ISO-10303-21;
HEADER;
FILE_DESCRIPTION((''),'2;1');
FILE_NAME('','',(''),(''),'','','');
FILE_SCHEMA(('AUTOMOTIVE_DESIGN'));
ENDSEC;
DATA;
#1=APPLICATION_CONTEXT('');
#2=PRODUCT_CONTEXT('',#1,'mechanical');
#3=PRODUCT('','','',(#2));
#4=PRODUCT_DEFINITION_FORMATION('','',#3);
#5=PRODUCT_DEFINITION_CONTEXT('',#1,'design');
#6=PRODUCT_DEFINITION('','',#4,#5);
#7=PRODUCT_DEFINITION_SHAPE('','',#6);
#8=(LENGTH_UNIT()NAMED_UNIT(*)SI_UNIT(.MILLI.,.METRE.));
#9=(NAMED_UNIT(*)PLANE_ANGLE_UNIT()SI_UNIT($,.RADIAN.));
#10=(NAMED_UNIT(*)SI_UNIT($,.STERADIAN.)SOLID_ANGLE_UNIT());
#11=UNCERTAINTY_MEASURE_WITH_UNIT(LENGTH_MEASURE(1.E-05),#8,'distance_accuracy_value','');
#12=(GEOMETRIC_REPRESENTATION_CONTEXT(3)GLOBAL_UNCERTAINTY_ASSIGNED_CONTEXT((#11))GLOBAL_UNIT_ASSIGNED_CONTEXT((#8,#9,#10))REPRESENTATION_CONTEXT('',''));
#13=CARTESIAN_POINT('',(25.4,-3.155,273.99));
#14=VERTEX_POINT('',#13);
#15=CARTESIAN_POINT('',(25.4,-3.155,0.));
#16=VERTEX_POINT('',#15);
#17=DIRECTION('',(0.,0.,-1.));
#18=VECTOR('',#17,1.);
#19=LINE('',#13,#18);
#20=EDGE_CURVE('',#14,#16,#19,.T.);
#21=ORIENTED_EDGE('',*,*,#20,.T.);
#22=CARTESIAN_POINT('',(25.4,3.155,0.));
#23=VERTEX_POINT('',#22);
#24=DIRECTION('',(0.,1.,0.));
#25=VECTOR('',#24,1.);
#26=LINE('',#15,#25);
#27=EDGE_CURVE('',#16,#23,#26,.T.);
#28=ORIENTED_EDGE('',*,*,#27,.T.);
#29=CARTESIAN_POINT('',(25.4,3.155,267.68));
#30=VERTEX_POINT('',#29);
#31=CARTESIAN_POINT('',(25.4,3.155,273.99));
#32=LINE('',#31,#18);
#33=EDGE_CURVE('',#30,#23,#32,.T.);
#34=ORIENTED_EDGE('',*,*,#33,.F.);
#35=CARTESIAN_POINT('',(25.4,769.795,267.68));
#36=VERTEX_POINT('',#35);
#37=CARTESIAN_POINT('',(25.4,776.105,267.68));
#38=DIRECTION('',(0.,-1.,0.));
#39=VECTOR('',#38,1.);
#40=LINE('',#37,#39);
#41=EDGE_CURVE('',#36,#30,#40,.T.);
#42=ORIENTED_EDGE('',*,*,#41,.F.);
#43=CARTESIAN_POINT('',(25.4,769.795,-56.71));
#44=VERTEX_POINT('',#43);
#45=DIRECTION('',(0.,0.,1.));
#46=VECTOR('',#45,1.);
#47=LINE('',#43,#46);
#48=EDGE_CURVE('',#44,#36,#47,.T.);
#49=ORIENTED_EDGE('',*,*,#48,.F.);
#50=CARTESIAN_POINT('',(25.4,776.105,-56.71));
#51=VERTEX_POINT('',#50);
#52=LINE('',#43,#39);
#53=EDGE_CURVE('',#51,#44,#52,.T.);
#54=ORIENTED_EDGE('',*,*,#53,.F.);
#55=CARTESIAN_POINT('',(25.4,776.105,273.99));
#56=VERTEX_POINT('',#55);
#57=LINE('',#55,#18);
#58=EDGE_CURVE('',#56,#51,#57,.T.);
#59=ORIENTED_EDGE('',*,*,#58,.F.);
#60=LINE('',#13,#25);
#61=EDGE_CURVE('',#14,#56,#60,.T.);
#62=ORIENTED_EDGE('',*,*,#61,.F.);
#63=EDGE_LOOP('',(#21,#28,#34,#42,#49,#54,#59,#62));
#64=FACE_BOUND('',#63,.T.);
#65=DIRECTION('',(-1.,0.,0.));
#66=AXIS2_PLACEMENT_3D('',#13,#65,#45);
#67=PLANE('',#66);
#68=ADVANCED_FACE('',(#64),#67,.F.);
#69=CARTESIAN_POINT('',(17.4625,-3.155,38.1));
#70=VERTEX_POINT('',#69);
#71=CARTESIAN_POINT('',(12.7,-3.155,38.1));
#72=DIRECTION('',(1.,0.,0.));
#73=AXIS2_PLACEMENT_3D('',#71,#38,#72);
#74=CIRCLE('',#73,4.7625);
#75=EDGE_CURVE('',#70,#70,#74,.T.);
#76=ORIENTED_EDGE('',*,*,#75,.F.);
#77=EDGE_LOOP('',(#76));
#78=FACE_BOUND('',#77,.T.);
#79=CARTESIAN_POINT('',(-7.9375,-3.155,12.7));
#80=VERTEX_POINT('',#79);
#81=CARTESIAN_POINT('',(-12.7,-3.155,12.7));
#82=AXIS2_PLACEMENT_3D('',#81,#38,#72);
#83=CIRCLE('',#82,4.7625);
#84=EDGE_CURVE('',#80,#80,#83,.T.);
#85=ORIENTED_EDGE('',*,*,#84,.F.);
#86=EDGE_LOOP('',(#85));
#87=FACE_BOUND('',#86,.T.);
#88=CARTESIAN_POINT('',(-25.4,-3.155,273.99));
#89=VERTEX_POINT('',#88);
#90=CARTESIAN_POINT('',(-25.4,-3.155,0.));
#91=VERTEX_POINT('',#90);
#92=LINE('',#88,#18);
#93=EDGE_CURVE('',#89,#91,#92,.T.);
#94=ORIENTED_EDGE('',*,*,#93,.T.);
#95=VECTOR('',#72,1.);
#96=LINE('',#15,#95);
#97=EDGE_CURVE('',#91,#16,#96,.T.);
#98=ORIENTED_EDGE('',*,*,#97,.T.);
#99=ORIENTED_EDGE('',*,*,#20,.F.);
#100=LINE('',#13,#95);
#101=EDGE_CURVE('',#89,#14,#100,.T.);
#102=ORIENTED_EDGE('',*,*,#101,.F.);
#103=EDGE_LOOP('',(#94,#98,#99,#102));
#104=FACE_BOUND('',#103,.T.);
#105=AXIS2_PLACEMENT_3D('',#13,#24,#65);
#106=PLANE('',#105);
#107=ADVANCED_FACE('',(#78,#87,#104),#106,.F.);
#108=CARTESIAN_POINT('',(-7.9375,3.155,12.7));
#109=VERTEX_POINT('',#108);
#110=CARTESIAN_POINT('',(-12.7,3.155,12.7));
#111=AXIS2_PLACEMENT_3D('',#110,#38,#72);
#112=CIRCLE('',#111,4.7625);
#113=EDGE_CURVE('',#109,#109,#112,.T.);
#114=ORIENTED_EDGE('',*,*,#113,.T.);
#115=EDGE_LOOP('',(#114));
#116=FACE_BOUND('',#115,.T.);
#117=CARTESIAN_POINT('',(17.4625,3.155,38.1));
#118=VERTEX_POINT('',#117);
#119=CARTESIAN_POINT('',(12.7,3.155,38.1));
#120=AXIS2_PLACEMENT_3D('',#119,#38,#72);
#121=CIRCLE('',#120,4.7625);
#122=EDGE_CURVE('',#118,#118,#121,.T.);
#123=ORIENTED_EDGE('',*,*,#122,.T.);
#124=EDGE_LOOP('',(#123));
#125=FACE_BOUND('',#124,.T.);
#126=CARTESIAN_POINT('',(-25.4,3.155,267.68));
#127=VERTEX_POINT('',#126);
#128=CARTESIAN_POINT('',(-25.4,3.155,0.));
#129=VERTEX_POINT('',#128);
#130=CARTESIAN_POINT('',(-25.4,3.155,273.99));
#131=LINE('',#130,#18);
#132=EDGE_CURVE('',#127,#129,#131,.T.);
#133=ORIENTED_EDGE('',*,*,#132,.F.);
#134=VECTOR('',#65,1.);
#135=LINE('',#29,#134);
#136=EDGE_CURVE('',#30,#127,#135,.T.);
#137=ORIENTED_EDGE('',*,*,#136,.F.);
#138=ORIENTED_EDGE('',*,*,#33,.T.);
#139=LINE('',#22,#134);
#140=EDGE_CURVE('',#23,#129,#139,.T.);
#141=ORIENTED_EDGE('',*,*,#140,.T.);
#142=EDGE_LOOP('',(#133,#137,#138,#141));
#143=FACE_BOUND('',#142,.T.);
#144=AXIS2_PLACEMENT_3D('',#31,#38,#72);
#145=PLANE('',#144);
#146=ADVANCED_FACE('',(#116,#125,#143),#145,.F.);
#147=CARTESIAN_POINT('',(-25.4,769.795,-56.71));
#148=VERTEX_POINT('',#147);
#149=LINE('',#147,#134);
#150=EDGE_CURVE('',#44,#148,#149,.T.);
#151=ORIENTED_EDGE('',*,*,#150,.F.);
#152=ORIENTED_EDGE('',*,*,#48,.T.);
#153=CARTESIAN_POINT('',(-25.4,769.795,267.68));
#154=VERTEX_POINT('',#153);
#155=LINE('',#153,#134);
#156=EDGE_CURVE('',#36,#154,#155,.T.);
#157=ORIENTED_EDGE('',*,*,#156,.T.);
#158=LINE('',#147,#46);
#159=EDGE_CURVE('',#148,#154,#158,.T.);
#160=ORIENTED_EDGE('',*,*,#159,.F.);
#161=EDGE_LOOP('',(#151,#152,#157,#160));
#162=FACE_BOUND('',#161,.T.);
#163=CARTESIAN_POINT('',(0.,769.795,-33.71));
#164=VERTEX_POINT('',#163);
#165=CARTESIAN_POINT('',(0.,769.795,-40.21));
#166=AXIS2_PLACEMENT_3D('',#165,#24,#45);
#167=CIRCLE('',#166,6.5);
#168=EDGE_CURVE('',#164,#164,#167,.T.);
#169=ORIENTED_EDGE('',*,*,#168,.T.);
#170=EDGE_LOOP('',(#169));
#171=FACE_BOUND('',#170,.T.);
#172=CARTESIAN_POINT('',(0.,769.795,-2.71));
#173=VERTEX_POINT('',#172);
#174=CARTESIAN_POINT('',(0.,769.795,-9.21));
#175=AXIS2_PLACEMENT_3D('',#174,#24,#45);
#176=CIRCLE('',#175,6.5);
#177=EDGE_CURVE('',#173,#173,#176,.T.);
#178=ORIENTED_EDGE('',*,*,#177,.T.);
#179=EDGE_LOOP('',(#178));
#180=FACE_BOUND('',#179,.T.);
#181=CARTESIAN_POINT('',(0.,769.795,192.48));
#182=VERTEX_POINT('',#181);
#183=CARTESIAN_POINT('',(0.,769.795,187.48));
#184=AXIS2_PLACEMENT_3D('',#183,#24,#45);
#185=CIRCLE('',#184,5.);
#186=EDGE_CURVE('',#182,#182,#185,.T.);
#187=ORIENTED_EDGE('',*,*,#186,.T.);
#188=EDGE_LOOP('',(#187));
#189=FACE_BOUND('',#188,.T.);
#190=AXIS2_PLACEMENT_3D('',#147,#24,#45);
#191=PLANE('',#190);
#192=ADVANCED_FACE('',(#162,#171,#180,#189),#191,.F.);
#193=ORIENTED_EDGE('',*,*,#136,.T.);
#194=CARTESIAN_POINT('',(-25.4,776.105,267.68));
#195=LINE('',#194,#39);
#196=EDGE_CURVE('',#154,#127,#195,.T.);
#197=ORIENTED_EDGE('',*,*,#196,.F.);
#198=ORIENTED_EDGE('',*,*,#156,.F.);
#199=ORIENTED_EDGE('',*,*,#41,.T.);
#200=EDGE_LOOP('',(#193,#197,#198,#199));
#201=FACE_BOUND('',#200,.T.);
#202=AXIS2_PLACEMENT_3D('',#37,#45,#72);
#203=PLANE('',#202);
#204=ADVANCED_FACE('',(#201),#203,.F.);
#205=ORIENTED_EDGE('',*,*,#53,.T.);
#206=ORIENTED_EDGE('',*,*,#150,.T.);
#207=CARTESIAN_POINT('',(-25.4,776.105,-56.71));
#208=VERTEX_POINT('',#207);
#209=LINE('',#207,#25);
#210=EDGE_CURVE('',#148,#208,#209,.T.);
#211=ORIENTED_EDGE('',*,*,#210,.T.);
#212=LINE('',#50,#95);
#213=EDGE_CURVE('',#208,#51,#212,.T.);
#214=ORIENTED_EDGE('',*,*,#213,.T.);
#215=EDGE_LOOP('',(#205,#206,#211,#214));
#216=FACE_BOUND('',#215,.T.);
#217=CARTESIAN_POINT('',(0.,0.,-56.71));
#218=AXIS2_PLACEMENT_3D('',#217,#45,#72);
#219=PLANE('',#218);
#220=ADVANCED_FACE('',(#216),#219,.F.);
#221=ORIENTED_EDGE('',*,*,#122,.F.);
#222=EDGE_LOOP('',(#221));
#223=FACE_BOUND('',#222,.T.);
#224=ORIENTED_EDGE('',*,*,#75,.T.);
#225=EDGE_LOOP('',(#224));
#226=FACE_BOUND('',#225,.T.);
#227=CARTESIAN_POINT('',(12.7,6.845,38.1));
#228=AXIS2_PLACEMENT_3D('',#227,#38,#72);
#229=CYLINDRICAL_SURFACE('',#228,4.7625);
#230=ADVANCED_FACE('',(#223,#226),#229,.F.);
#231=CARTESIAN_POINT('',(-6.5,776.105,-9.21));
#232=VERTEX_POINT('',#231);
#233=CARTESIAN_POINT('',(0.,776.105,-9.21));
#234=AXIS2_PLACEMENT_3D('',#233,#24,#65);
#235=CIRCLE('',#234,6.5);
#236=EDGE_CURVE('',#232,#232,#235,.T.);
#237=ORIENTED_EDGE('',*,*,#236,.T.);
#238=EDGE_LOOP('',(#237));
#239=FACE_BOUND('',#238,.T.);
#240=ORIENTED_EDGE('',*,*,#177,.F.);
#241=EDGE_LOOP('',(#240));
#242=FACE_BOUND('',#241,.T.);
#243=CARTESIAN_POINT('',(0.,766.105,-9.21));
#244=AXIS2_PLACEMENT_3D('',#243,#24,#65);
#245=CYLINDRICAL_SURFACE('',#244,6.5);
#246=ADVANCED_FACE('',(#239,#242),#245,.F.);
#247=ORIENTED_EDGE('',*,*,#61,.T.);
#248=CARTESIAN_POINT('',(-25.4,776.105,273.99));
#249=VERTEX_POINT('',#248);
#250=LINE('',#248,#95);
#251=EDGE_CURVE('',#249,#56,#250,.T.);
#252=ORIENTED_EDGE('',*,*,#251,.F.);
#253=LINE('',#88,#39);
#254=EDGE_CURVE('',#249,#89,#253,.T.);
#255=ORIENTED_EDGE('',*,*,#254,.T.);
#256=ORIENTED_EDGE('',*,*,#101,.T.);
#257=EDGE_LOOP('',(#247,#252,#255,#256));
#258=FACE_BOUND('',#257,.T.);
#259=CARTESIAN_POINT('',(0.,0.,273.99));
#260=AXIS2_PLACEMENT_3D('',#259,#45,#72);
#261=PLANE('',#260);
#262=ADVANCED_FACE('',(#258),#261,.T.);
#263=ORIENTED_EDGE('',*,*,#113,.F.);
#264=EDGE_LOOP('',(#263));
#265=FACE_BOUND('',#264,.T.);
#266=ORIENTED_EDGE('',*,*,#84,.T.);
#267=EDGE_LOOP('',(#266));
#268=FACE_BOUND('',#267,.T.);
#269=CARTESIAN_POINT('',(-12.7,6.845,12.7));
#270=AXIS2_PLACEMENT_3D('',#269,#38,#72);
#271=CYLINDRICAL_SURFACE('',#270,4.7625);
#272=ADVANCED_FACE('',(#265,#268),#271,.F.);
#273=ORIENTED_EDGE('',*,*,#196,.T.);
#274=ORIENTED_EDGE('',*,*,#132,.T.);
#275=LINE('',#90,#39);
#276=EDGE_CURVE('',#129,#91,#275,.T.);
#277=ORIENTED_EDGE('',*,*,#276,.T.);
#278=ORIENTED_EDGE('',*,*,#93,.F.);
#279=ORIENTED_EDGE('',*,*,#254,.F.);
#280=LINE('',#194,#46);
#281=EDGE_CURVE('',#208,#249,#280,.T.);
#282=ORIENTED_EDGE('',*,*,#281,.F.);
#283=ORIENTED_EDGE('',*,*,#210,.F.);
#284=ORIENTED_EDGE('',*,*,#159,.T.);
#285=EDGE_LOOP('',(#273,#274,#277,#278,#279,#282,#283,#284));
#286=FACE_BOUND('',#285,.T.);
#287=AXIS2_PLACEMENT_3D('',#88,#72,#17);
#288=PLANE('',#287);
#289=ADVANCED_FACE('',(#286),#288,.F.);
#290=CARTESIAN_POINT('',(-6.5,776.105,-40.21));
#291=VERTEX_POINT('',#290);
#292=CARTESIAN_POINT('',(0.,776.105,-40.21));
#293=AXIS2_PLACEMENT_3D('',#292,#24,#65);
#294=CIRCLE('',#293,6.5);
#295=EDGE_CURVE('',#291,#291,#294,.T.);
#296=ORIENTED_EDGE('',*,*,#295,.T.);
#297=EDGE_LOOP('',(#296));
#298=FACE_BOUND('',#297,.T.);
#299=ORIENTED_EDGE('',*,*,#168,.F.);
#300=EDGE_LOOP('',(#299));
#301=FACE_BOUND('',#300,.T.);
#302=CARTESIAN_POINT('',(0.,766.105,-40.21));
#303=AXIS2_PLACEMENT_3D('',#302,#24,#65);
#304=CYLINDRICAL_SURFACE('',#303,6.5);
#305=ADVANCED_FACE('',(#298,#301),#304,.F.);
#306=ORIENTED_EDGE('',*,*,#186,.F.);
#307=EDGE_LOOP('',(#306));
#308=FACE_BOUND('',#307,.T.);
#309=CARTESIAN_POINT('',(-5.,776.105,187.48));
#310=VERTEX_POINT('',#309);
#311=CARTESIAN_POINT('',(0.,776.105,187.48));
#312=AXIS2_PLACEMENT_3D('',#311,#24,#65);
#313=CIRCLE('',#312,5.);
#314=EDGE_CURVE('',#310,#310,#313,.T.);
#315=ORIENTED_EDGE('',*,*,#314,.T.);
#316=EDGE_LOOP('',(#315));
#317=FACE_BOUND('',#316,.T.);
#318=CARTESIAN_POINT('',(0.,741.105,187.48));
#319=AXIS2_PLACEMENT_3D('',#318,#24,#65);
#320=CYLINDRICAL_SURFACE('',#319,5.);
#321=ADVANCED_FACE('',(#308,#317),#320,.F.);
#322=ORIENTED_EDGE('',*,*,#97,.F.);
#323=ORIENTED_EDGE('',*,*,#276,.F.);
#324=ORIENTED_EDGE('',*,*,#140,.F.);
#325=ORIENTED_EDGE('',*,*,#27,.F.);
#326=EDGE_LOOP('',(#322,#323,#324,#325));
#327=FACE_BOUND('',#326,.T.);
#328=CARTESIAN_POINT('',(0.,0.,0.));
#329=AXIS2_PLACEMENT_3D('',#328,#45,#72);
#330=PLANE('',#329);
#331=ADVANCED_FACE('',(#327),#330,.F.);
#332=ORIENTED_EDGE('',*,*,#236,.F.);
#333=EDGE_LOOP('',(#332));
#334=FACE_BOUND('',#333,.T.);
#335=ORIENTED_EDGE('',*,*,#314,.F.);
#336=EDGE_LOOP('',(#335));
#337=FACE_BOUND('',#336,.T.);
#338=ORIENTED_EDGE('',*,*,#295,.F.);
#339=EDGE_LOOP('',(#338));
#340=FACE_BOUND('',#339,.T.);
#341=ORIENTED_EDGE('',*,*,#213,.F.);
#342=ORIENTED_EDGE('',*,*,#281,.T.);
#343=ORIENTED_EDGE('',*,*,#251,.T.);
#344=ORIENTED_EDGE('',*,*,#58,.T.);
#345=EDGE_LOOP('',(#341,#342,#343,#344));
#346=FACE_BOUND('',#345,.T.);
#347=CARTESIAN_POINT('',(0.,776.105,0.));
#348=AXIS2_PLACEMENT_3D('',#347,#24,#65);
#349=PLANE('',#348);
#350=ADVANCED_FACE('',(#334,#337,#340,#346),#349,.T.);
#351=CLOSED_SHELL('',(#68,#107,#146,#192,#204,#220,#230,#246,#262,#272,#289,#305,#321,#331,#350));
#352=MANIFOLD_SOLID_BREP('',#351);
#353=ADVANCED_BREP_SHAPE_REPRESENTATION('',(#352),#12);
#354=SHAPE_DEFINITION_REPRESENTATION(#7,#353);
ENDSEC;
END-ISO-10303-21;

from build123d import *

# Parameters (mm, degrees)
CROQUIS1_W              = 50.8
CROQUIS1_H              = 6.31
SALIENTE_EXTRUIR1_DEPTH = 273.99
CROQUIS2_W              = 50.8
CROQUIS2_H              = 6.31
SALIENTE_EXTRUIR2_DEPTH = 772.95
CROQUIS3_W              = 50.8
CROQUIS3_H              = 6.31
SALIENTE_EXTRUIR3_DEPTH = 324.39
CROQUIS4_R              = 4.7625
CORTAR_EXTRUIR1_DEPTH   = 10
CROQUIS5_R              = 6.5
CORTAR_EXTRUIR2_DEPTH   = 10
CROQUIS6_R              = 5
CORTAR_EXTRUIR3_DEPTH   = 35


with BuildPart() as part:
    # Croquis1 → Saliente-Extruir1 (new body)
    with BuildSketch(Plane.XY):
        Rectangle(CROQUIS1_W, CROQUIS1_H)
    extrude(amount=SALIENTE_EXTRUIR1_DEPTH)

    # Croquis2 → Saliente-Extruir2 (add)
    with BuildSketch(Plane(origin=(0, 3.155, 0), x_dir=(1, 0, 0), z_dir=(0, 1, 0))):
        with Locations((0, -270.835)):
            Rectangle(CROQUIS2_W, CROQUIS2_H)
    extrude(amount=SALIENTE_EXTRUIR2_DEPTH)

    # Croquis3 → Saliente-Extruir3 (add)
    with BuildSketch(Plane(origin=(0, 0, 267.68), x_dir=(-1, 0, 0), z_dir=(0, 0, -1))):
        with Locations((0, 772.95)):
            Rectangle(CROQUIS3_W, CROQUIS3_H)
    extrude(amount=SALIENTE_EXTRUIR3_DEPTH)

    # Croquis4 → Cortar-Extruir1 (cut)
    with BuildSketch(Plane.XZ.offset(3.155)):
        with Locations((-12.7, 12.7)):
            Circle(CROQUIS4_R)
        with Locations((12.7, 38.1)):
            Circle(CROQUIS4_R)
    extrude(amount=-CORTAR_EXTRUIR1_DEPTH, mode=Mode.SUBTRACT)

    # Croquis5 → Cortar-Extruir2 (cut)
    with BuildSketch(Plane(origin=(0, 776.105, 0), x_dir=(1, 0, 0), z_dir=(0, 1, 0))):
        with Locations(Location((0, 40.21, 0), (0, 0, 180))):
            Circle(CROQUIS5_R)
        with Locations(Location((0, 9.21, 0), (0, 0, 180))):
            Circle(CROQUIS5_R)
    extrude(amount=-CORTAR_EXTRUIR2_DEPTH, mode=Mode.SUBTRACT)

    # Croquis6 → Cortar-Extruir3 (cut)
    with BuildSketch(Plane(origin=(0, 776.105, 0), x_dir=(1, 0, 0), z_dir=(0, 1, 0))):
        with Locations(Location((0, -187.48, 0), (0, 0, 180))):
            Circle(CROQUIS6_R)
    extrude(amount=-CORTAR_EXTRUIR3_DEPTH, mode=Mode.SUBTRACT)


solid = part.part
